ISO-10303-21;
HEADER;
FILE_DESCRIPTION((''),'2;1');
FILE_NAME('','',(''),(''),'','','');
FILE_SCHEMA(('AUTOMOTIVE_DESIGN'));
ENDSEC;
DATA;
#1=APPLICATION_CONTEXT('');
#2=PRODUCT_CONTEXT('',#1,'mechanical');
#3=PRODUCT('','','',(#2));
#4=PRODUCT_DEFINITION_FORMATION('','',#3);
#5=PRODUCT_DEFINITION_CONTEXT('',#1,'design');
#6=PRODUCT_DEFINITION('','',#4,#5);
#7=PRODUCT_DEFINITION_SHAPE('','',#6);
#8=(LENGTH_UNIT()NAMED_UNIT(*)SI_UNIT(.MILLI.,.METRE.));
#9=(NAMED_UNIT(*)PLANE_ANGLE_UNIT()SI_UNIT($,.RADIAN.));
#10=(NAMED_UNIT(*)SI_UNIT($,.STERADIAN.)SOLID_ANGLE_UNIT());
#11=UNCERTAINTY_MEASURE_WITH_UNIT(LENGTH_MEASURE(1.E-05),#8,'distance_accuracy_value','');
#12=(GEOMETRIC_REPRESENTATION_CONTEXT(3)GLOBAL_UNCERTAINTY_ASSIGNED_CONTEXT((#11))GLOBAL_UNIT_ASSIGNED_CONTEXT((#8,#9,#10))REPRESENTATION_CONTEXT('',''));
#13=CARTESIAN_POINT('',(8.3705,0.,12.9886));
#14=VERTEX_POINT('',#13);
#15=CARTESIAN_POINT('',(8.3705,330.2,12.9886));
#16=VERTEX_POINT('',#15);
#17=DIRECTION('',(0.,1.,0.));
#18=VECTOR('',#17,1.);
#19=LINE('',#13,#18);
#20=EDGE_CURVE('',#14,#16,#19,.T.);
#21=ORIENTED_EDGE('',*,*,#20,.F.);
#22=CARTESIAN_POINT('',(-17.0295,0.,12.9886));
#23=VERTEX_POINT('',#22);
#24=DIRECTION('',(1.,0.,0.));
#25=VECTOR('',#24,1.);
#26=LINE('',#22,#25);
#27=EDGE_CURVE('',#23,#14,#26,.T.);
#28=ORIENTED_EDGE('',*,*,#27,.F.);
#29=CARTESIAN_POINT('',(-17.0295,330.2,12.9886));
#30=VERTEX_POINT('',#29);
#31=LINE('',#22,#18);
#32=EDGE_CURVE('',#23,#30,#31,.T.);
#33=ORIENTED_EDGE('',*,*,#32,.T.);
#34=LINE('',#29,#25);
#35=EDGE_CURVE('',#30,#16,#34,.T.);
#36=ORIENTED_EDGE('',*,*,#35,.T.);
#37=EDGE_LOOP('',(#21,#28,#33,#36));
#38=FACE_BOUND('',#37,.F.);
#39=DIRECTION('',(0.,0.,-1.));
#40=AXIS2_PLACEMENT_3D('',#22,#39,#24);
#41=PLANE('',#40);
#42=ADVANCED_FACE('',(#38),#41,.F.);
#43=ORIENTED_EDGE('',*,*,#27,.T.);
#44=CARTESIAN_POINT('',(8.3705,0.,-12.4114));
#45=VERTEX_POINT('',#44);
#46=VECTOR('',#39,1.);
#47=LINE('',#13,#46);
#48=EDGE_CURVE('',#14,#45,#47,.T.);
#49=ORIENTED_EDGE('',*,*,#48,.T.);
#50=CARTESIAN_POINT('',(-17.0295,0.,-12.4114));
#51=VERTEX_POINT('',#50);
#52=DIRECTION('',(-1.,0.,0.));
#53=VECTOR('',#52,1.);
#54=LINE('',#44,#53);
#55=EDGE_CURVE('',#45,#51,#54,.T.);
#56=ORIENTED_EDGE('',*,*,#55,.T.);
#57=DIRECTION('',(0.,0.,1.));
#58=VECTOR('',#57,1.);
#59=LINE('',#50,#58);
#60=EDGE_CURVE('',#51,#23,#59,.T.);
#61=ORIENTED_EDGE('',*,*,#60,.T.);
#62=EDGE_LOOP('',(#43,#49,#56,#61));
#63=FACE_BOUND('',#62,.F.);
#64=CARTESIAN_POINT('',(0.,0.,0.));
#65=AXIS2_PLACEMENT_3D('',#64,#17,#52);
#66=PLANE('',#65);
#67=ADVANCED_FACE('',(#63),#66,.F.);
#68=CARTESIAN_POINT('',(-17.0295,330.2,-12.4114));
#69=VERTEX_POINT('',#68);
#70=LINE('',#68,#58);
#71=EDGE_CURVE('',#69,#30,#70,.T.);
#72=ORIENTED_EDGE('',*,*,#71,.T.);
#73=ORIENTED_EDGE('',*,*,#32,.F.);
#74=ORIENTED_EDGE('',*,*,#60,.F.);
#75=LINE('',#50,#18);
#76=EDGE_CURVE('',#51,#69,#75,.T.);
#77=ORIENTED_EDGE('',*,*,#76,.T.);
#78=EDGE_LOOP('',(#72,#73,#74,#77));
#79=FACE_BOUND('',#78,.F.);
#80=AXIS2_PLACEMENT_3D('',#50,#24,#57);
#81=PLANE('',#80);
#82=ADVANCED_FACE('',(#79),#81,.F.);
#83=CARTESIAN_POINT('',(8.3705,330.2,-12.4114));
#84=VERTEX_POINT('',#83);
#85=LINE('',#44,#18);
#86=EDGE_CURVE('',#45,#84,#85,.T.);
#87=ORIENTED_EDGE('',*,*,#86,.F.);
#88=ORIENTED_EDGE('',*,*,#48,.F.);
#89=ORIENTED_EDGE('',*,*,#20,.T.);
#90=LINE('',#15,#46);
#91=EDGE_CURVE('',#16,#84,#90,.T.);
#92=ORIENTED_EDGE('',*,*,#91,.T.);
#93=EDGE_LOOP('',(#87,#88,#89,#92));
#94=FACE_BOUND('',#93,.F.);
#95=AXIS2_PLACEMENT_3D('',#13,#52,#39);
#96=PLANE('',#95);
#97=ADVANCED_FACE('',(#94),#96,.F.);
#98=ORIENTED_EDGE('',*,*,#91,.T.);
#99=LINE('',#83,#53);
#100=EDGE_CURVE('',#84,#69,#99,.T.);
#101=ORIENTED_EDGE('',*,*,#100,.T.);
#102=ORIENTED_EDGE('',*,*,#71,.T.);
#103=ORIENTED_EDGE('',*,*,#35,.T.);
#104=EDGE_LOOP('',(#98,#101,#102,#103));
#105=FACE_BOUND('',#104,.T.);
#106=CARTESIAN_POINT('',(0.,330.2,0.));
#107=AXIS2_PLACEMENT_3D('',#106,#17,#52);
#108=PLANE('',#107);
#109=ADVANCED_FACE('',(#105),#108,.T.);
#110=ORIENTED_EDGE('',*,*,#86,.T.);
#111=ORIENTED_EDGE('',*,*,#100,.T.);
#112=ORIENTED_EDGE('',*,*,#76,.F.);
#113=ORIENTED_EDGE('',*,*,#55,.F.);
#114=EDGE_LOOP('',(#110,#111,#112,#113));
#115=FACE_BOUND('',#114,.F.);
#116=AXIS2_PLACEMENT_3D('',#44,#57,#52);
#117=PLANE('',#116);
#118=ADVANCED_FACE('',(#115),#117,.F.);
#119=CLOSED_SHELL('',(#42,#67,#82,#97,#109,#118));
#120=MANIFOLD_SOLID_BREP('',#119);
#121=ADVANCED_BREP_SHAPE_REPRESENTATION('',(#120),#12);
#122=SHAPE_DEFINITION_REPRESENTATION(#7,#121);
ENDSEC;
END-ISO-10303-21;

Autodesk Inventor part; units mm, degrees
ref_plane "YZ Plane" through (0, 0, 0) normal (1, 0, 0) x (0, 1, 0)
ref_plane "XZ Plane" through (0, 0, 0) normal (0, 1, 0) x (-1, 0, 0)
ref_plane "XY Plane" through (0, 0, 0) normal (0, 0, 1) x (1, 0, 0)
sketch "Sketch1" plane through (0, 0, 0) normal (0, 1, 0) x (-1, 0, 0)
  line L0 (17.0295, 12.9886) -> (-8.3705, 12.9886)
  line L1 (-8.3705, 12.9886) -> (-8.3705, -12.4114)
  line L2 (-8.3705, -12.4114) -> (17.0295, -12.4114)
  line L3 (17.0295, -12.4114) -> (17.0295, 12.9886)
  point P0 (0, 0)
  dimension "d0" = 25.4
  dimension "d1" = 25.4
extrude "Extrusion1" add sketch "Sketch1" along normal blind 330.2
equation "\"ElvMiddleBeamLength\" = 1092.2"
equation "\"ElvWallWidth\" = 1.5875"
equation "\"ElvFrontBeamLength\" = 1066.8"
equation "\"ElvEndEffectLength\" = 330.2"
equation "\"ElvCrossBeamLength\" = 330.2"
equation "\"ElvBeamWidth\" = 25.4"
equation "\"ElvFrontBeamLength_1\" = 1066.8"
equation "\"ElvFixedBeamLength\" = 1117.6"
equation "\"ElvDelFrontTabLength\" = 6.35"
equation "\"ElvDelDepth\" = 6.35"
equation "\"ElvDelWidth\" = 12.7"
equation "\"ElvDelHeight\" = 50.8"
properties part number "CrossBeam"
